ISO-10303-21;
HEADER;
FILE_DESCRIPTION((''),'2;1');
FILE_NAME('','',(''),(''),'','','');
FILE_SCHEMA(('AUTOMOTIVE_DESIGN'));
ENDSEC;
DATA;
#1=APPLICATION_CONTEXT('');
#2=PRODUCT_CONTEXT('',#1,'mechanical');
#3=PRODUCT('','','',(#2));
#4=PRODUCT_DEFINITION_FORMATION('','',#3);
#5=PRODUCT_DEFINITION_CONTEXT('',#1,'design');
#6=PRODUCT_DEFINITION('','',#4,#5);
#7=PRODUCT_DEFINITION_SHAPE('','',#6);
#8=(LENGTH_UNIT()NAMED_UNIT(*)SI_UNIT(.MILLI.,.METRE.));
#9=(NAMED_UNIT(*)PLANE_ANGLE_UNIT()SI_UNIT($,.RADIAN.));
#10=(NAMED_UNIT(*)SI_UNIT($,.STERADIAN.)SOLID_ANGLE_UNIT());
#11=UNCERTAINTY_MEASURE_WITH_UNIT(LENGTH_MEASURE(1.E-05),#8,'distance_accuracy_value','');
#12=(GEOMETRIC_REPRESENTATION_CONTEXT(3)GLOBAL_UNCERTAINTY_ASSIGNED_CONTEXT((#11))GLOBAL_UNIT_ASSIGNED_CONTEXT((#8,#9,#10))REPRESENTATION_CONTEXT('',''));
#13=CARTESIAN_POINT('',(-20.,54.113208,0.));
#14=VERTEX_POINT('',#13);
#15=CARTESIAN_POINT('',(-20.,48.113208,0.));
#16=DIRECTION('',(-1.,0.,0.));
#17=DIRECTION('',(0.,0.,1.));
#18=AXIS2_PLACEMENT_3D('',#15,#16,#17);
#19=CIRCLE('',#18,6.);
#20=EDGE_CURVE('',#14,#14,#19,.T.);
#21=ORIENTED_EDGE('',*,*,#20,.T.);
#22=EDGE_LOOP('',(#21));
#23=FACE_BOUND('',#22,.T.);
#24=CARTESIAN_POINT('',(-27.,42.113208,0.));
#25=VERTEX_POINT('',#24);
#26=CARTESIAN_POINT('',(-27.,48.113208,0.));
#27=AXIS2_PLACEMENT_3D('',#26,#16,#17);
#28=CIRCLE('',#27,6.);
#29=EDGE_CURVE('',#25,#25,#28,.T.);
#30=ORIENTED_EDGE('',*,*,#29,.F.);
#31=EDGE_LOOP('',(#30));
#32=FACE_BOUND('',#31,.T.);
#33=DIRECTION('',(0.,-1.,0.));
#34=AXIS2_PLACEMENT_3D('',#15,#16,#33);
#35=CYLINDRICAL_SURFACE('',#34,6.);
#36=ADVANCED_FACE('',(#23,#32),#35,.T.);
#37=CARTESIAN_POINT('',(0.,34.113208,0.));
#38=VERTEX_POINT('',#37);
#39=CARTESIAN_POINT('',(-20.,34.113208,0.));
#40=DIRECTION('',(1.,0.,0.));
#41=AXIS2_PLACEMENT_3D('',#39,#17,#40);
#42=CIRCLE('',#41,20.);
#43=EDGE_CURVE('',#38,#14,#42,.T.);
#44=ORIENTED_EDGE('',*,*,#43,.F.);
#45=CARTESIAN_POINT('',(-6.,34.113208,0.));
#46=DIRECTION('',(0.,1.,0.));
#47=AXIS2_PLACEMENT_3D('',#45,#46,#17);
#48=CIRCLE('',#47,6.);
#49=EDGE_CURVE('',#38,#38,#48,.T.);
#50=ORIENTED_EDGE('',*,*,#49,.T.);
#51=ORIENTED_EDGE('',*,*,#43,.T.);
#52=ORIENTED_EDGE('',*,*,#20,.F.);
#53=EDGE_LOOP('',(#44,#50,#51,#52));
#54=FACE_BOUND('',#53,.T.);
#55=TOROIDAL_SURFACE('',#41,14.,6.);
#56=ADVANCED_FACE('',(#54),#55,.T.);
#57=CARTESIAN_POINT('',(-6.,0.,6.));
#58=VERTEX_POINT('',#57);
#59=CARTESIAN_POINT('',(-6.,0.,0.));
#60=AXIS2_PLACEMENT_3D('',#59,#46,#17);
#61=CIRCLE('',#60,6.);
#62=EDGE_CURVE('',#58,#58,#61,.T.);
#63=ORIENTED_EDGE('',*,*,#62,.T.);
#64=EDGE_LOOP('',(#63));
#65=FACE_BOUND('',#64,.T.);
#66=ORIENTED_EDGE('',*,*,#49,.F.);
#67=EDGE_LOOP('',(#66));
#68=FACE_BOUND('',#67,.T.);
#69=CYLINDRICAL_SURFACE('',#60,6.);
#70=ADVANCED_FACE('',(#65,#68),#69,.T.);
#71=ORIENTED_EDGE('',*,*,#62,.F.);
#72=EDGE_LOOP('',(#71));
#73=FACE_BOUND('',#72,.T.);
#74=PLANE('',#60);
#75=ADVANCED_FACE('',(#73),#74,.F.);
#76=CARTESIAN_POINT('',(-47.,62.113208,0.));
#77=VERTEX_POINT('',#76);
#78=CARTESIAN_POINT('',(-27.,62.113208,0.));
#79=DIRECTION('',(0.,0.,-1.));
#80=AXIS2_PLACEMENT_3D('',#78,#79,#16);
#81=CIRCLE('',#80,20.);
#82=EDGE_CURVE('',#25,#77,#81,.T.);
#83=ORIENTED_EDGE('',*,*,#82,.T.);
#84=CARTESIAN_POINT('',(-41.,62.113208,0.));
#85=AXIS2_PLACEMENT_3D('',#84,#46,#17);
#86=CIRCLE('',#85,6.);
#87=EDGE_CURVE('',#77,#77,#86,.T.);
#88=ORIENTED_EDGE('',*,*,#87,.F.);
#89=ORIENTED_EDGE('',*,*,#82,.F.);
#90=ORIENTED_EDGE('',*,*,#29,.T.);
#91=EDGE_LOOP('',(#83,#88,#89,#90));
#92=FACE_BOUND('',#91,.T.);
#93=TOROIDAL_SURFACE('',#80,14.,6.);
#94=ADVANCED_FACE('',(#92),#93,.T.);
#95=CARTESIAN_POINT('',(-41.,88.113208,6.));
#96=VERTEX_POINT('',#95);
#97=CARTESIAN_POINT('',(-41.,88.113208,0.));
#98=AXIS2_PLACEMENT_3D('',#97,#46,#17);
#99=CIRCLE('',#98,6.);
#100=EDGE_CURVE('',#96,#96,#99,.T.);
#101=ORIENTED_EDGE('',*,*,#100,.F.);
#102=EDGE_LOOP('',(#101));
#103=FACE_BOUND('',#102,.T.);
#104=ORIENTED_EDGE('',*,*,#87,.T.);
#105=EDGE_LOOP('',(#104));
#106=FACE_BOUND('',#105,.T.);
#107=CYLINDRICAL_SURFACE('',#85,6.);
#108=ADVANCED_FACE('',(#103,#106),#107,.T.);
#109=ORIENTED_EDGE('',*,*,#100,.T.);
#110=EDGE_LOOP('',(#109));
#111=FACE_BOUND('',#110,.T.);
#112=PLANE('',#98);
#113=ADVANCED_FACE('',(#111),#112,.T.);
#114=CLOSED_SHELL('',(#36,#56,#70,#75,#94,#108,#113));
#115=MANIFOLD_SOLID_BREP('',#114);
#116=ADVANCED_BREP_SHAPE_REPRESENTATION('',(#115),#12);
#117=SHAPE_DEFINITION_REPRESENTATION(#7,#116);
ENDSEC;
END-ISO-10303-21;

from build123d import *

# Parameters (mm, degrees)
SKETCH_1_R = 6


with BuildPart() as part:
    # По траектории1: sweep along a path in Эскиз2
    with BuildLine(Plane.XY) as sweep_1_path:
        Line((-6, 0), (-6, 34.113207547))
        ThreePointArc((-6, 34.113207547), (-10.100505063, 44.012702484), (-20, 48.113207547))
        Line((-20, 48.113207547), (-27, 48.113207547))
        ThreePointArc((-27, 48.113207547), (-36.899494937, 52.213712611), (-41, 62.113207547))
        Line((-41, 62.113207547), (-41, 88.113207547))
    # Эскиз1 → По траектории1 (sweep)
    with BuildSketch(Plane(origin=(0, 0, 0), x_dir=(1, 0, 0), z_dir=(0, 1, 0))):
        with Locations((-6, 0)):
            Circle(SKETCH_1_R)
    sweep(path=sweep_1_path.line)


solid = part.part
